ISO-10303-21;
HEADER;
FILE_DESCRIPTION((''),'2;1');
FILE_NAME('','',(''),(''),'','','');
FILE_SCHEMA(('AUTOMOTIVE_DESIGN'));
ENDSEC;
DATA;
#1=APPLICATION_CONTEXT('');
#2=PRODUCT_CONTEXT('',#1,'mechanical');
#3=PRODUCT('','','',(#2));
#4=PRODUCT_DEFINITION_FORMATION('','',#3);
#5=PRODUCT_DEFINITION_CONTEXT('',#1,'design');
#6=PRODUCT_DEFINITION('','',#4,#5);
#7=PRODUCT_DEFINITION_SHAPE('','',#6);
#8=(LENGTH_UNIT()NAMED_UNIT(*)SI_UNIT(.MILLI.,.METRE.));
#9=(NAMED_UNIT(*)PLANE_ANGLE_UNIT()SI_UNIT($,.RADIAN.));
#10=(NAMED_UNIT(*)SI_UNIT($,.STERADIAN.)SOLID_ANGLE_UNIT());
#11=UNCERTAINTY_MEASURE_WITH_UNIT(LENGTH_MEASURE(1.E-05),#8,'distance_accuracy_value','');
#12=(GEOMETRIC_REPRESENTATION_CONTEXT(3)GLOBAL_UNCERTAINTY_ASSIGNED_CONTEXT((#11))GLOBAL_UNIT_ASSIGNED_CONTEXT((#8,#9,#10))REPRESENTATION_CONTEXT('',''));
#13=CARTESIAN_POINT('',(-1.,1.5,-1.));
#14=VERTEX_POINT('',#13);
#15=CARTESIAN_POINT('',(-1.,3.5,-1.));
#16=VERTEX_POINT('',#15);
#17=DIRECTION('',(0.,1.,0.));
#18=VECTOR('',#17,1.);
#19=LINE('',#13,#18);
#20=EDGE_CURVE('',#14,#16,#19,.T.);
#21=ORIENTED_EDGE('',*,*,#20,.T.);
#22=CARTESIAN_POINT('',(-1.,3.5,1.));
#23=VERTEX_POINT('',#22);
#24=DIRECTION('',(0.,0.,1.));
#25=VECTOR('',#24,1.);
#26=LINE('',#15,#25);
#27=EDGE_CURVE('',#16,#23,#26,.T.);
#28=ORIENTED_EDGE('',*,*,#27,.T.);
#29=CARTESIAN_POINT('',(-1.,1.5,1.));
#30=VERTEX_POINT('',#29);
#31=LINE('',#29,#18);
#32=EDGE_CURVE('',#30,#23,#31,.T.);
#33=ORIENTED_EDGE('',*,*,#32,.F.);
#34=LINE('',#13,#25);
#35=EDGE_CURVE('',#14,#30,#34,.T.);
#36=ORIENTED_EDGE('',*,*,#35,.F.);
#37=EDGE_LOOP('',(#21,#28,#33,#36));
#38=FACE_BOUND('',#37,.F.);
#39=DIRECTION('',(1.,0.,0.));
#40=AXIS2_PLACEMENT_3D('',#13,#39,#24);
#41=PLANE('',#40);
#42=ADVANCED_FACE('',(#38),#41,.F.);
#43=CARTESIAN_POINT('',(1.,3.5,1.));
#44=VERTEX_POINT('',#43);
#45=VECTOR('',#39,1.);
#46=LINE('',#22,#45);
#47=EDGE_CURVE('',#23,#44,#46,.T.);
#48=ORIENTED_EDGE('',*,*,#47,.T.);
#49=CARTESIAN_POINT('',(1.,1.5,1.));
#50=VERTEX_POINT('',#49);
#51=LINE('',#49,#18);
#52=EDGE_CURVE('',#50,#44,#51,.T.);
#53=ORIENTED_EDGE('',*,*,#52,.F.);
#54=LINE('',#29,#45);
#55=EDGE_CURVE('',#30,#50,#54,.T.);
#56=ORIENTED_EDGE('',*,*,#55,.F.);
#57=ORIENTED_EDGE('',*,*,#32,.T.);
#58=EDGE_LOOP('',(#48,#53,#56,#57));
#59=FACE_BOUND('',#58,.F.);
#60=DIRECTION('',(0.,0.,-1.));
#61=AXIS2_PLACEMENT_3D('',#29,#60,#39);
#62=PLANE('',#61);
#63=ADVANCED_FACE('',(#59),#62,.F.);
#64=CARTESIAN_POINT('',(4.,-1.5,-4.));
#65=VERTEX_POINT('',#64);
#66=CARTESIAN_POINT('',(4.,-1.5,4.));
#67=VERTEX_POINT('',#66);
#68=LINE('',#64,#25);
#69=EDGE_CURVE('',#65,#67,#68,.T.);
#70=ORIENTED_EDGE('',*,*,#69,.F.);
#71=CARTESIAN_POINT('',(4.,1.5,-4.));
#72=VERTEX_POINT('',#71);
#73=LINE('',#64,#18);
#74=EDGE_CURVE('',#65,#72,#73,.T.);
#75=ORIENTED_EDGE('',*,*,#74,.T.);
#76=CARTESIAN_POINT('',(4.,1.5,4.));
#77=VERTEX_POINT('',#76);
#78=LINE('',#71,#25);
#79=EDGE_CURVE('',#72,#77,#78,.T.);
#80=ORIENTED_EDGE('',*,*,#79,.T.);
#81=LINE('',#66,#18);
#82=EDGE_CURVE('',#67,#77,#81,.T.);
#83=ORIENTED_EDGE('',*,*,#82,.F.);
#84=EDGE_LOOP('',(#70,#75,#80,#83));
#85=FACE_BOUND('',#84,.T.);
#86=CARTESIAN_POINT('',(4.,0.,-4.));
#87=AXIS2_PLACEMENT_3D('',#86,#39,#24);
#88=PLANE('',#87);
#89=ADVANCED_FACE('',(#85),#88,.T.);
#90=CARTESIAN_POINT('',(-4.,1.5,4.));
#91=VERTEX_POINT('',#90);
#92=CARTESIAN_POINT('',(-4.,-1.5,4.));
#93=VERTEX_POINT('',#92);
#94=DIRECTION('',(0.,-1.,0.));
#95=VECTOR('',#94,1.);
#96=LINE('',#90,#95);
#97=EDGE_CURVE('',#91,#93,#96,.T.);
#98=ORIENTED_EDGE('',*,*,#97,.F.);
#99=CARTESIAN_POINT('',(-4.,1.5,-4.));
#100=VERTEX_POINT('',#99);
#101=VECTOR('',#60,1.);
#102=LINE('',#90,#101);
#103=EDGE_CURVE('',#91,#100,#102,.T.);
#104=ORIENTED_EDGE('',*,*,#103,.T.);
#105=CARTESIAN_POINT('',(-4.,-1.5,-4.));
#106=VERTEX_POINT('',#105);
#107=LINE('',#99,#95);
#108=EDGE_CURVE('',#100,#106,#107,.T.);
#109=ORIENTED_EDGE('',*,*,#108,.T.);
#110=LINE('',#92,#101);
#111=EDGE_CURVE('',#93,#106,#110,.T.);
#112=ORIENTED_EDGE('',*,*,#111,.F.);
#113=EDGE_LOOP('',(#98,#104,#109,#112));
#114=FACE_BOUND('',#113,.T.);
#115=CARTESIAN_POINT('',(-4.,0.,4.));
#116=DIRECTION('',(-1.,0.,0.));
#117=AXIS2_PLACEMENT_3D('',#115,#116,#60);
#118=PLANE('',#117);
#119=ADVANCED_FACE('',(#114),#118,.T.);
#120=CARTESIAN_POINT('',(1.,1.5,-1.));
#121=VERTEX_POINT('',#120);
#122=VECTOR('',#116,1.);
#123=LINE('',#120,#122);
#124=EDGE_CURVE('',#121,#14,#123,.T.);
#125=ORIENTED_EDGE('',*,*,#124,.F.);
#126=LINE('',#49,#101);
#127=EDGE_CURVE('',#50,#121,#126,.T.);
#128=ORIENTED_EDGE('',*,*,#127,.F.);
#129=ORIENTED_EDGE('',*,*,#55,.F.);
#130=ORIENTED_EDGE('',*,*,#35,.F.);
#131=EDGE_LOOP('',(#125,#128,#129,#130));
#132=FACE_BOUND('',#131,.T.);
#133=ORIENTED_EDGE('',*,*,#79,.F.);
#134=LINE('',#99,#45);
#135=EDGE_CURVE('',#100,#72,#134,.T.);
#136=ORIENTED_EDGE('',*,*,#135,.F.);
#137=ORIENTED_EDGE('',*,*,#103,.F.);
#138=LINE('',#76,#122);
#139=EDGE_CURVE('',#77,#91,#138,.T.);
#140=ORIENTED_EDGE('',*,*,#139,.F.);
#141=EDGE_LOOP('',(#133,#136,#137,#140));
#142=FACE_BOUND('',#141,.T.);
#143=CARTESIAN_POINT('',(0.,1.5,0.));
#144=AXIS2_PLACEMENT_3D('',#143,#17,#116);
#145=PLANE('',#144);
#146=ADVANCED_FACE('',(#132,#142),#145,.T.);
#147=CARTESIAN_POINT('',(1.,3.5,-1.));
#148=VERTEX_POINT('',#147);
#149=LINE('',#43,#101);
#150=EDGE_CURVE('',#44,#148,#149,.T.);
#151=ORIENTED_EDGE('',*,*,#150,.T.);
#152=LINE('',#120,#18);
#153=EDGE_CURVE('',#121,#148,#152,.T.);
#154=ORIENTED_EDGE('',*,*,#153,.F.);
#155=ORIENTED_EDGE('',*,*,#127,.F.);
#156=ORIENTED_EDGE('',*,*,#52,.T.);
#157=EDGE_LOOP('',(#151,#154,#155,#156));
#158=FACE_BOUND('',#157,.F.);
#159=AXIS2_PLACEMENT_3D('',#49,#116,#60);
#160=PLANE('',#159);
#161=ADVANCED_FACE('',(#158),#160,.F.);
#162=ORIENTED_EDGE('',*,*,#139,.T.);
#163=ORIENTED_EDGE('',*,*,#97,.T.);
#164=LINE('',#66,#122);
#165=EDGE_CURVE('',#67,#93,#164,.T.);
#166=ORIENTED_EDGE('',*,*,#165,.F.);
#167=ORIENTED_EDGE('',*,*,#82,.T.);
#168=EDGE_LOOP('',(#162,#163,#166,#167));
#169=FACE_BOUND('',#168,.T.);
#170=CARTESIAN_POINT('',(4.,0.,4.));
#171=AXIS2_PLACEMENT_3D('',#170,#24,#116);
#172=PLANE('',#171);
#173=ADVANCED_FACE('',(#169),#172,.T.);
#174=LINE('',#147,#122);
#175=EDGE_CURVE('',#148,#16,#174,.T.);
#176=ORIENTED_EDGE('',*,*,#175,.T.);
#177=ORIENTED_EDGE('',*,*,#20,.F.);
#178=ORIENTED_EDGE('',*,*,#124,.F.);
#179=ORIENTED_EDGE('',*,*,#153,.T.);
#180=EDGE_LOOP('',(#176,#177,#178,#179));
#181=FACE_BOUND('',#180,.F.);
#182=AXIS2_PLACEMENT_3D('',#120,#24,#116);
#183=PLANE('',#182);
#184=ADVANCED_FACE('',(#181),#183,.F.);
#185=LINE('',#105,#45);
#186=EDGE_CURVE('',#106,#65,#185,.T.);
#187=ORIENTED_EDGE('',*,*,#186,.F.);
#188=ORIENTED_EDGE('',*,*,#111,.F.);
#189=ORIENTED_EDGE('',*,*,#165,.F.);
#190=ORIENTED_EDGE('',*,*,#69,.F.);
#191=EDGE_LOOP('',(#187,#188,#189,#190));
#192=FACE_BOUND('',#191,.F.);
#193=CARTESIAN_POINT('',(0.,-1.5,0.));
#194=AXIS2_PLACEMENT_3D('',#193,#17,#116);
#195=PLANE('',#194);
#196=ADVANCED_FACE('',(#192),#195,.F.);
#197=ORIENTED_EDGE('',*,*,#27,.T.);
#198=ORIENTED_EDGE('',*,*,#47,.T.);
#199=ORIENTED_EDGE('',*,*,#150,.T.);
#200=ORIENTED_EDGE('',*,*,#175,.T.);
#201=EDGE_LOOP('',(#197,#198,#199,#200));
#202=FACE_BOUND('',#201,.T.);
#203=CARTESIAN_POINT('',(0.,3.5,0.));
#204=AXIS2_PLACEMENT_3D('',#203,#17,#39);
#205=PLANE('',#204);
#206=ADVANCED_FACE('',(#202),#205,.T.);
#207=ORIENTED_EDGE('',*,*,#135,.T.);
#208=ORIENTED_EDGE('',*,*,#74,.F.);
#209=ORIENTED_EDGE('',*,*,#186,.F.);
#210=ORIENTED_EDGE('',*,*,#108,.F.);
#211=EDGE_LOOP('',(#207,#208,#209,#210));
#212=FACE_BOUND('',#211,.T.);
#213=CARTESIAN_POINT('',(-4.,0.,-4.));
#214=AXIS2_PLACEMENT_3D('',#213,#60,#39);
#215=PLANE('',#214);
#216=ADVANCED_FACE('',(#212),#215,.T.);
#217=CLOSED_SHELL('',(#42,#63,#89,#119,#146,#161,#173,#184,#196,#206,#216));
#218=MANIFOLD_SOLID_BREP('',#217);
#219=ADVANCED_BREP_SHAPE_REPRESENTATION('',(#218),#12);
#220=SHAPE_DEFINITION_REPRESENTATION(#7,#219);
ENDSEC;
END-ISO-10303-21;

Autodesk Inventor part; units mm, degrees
ref_plane "YZ Plane" through (0, 0, 0) normal (1, 0, 0) x (0, 1, 0)
ref_plane "XZ Plane" through (0, 0, 0) normal (0, 1, 0) x (-1, 0, 0)
ref_plane "XY Plane" through (0, 0, 0) normal (0, 0, 1) x (1, 0, 0)
sketch "Sketch1" plane through (0, 0, 0) normal (0, 1, 0) x (-1, 0, 0)
  line L0 (-4, 4) -> (4, 4)
  line L1 (4, 4) -> (4, -4)
  line L2 (4, -4) -> (-4, -4)
  line L3 (-4, -4) -> (-4, 4)
  line L4 (-4, 4) -> (4, -4) construction
  line L5 (4, 4) -> (-4, -4) construction
  point P0 (0, 0)
  dimension "d0" = 8
  dimension "d1" = 8
extrude "Extrusion1" add sketch "Sketch1" along normal mid plane 3
sketch "Sketch2" plane through (0, 1.5, 0) normal (0, 1, 0) x (1, 0, 0)
  line L0 (-1, -1) -> (1, -1)
  line L1 (1, -1) -> (1, 1)
  line L2 (1, 1) -> (-1, 1)
  line L3 (-1, 1) -> (-1, -1)
  line L4 (-1, -1) -> (1, 1) construction
  line L5 (1, -1) -> (-1, 1) construction
  point P0 (0, 0)
  dimension "d4" = 2
  dimension "d5" = 2
extrude "Extrusion2" add sketch "Sketch2" along normal blind 2
equation "\"d0\" = d1"
properties part number "PressFItTestPeg"
